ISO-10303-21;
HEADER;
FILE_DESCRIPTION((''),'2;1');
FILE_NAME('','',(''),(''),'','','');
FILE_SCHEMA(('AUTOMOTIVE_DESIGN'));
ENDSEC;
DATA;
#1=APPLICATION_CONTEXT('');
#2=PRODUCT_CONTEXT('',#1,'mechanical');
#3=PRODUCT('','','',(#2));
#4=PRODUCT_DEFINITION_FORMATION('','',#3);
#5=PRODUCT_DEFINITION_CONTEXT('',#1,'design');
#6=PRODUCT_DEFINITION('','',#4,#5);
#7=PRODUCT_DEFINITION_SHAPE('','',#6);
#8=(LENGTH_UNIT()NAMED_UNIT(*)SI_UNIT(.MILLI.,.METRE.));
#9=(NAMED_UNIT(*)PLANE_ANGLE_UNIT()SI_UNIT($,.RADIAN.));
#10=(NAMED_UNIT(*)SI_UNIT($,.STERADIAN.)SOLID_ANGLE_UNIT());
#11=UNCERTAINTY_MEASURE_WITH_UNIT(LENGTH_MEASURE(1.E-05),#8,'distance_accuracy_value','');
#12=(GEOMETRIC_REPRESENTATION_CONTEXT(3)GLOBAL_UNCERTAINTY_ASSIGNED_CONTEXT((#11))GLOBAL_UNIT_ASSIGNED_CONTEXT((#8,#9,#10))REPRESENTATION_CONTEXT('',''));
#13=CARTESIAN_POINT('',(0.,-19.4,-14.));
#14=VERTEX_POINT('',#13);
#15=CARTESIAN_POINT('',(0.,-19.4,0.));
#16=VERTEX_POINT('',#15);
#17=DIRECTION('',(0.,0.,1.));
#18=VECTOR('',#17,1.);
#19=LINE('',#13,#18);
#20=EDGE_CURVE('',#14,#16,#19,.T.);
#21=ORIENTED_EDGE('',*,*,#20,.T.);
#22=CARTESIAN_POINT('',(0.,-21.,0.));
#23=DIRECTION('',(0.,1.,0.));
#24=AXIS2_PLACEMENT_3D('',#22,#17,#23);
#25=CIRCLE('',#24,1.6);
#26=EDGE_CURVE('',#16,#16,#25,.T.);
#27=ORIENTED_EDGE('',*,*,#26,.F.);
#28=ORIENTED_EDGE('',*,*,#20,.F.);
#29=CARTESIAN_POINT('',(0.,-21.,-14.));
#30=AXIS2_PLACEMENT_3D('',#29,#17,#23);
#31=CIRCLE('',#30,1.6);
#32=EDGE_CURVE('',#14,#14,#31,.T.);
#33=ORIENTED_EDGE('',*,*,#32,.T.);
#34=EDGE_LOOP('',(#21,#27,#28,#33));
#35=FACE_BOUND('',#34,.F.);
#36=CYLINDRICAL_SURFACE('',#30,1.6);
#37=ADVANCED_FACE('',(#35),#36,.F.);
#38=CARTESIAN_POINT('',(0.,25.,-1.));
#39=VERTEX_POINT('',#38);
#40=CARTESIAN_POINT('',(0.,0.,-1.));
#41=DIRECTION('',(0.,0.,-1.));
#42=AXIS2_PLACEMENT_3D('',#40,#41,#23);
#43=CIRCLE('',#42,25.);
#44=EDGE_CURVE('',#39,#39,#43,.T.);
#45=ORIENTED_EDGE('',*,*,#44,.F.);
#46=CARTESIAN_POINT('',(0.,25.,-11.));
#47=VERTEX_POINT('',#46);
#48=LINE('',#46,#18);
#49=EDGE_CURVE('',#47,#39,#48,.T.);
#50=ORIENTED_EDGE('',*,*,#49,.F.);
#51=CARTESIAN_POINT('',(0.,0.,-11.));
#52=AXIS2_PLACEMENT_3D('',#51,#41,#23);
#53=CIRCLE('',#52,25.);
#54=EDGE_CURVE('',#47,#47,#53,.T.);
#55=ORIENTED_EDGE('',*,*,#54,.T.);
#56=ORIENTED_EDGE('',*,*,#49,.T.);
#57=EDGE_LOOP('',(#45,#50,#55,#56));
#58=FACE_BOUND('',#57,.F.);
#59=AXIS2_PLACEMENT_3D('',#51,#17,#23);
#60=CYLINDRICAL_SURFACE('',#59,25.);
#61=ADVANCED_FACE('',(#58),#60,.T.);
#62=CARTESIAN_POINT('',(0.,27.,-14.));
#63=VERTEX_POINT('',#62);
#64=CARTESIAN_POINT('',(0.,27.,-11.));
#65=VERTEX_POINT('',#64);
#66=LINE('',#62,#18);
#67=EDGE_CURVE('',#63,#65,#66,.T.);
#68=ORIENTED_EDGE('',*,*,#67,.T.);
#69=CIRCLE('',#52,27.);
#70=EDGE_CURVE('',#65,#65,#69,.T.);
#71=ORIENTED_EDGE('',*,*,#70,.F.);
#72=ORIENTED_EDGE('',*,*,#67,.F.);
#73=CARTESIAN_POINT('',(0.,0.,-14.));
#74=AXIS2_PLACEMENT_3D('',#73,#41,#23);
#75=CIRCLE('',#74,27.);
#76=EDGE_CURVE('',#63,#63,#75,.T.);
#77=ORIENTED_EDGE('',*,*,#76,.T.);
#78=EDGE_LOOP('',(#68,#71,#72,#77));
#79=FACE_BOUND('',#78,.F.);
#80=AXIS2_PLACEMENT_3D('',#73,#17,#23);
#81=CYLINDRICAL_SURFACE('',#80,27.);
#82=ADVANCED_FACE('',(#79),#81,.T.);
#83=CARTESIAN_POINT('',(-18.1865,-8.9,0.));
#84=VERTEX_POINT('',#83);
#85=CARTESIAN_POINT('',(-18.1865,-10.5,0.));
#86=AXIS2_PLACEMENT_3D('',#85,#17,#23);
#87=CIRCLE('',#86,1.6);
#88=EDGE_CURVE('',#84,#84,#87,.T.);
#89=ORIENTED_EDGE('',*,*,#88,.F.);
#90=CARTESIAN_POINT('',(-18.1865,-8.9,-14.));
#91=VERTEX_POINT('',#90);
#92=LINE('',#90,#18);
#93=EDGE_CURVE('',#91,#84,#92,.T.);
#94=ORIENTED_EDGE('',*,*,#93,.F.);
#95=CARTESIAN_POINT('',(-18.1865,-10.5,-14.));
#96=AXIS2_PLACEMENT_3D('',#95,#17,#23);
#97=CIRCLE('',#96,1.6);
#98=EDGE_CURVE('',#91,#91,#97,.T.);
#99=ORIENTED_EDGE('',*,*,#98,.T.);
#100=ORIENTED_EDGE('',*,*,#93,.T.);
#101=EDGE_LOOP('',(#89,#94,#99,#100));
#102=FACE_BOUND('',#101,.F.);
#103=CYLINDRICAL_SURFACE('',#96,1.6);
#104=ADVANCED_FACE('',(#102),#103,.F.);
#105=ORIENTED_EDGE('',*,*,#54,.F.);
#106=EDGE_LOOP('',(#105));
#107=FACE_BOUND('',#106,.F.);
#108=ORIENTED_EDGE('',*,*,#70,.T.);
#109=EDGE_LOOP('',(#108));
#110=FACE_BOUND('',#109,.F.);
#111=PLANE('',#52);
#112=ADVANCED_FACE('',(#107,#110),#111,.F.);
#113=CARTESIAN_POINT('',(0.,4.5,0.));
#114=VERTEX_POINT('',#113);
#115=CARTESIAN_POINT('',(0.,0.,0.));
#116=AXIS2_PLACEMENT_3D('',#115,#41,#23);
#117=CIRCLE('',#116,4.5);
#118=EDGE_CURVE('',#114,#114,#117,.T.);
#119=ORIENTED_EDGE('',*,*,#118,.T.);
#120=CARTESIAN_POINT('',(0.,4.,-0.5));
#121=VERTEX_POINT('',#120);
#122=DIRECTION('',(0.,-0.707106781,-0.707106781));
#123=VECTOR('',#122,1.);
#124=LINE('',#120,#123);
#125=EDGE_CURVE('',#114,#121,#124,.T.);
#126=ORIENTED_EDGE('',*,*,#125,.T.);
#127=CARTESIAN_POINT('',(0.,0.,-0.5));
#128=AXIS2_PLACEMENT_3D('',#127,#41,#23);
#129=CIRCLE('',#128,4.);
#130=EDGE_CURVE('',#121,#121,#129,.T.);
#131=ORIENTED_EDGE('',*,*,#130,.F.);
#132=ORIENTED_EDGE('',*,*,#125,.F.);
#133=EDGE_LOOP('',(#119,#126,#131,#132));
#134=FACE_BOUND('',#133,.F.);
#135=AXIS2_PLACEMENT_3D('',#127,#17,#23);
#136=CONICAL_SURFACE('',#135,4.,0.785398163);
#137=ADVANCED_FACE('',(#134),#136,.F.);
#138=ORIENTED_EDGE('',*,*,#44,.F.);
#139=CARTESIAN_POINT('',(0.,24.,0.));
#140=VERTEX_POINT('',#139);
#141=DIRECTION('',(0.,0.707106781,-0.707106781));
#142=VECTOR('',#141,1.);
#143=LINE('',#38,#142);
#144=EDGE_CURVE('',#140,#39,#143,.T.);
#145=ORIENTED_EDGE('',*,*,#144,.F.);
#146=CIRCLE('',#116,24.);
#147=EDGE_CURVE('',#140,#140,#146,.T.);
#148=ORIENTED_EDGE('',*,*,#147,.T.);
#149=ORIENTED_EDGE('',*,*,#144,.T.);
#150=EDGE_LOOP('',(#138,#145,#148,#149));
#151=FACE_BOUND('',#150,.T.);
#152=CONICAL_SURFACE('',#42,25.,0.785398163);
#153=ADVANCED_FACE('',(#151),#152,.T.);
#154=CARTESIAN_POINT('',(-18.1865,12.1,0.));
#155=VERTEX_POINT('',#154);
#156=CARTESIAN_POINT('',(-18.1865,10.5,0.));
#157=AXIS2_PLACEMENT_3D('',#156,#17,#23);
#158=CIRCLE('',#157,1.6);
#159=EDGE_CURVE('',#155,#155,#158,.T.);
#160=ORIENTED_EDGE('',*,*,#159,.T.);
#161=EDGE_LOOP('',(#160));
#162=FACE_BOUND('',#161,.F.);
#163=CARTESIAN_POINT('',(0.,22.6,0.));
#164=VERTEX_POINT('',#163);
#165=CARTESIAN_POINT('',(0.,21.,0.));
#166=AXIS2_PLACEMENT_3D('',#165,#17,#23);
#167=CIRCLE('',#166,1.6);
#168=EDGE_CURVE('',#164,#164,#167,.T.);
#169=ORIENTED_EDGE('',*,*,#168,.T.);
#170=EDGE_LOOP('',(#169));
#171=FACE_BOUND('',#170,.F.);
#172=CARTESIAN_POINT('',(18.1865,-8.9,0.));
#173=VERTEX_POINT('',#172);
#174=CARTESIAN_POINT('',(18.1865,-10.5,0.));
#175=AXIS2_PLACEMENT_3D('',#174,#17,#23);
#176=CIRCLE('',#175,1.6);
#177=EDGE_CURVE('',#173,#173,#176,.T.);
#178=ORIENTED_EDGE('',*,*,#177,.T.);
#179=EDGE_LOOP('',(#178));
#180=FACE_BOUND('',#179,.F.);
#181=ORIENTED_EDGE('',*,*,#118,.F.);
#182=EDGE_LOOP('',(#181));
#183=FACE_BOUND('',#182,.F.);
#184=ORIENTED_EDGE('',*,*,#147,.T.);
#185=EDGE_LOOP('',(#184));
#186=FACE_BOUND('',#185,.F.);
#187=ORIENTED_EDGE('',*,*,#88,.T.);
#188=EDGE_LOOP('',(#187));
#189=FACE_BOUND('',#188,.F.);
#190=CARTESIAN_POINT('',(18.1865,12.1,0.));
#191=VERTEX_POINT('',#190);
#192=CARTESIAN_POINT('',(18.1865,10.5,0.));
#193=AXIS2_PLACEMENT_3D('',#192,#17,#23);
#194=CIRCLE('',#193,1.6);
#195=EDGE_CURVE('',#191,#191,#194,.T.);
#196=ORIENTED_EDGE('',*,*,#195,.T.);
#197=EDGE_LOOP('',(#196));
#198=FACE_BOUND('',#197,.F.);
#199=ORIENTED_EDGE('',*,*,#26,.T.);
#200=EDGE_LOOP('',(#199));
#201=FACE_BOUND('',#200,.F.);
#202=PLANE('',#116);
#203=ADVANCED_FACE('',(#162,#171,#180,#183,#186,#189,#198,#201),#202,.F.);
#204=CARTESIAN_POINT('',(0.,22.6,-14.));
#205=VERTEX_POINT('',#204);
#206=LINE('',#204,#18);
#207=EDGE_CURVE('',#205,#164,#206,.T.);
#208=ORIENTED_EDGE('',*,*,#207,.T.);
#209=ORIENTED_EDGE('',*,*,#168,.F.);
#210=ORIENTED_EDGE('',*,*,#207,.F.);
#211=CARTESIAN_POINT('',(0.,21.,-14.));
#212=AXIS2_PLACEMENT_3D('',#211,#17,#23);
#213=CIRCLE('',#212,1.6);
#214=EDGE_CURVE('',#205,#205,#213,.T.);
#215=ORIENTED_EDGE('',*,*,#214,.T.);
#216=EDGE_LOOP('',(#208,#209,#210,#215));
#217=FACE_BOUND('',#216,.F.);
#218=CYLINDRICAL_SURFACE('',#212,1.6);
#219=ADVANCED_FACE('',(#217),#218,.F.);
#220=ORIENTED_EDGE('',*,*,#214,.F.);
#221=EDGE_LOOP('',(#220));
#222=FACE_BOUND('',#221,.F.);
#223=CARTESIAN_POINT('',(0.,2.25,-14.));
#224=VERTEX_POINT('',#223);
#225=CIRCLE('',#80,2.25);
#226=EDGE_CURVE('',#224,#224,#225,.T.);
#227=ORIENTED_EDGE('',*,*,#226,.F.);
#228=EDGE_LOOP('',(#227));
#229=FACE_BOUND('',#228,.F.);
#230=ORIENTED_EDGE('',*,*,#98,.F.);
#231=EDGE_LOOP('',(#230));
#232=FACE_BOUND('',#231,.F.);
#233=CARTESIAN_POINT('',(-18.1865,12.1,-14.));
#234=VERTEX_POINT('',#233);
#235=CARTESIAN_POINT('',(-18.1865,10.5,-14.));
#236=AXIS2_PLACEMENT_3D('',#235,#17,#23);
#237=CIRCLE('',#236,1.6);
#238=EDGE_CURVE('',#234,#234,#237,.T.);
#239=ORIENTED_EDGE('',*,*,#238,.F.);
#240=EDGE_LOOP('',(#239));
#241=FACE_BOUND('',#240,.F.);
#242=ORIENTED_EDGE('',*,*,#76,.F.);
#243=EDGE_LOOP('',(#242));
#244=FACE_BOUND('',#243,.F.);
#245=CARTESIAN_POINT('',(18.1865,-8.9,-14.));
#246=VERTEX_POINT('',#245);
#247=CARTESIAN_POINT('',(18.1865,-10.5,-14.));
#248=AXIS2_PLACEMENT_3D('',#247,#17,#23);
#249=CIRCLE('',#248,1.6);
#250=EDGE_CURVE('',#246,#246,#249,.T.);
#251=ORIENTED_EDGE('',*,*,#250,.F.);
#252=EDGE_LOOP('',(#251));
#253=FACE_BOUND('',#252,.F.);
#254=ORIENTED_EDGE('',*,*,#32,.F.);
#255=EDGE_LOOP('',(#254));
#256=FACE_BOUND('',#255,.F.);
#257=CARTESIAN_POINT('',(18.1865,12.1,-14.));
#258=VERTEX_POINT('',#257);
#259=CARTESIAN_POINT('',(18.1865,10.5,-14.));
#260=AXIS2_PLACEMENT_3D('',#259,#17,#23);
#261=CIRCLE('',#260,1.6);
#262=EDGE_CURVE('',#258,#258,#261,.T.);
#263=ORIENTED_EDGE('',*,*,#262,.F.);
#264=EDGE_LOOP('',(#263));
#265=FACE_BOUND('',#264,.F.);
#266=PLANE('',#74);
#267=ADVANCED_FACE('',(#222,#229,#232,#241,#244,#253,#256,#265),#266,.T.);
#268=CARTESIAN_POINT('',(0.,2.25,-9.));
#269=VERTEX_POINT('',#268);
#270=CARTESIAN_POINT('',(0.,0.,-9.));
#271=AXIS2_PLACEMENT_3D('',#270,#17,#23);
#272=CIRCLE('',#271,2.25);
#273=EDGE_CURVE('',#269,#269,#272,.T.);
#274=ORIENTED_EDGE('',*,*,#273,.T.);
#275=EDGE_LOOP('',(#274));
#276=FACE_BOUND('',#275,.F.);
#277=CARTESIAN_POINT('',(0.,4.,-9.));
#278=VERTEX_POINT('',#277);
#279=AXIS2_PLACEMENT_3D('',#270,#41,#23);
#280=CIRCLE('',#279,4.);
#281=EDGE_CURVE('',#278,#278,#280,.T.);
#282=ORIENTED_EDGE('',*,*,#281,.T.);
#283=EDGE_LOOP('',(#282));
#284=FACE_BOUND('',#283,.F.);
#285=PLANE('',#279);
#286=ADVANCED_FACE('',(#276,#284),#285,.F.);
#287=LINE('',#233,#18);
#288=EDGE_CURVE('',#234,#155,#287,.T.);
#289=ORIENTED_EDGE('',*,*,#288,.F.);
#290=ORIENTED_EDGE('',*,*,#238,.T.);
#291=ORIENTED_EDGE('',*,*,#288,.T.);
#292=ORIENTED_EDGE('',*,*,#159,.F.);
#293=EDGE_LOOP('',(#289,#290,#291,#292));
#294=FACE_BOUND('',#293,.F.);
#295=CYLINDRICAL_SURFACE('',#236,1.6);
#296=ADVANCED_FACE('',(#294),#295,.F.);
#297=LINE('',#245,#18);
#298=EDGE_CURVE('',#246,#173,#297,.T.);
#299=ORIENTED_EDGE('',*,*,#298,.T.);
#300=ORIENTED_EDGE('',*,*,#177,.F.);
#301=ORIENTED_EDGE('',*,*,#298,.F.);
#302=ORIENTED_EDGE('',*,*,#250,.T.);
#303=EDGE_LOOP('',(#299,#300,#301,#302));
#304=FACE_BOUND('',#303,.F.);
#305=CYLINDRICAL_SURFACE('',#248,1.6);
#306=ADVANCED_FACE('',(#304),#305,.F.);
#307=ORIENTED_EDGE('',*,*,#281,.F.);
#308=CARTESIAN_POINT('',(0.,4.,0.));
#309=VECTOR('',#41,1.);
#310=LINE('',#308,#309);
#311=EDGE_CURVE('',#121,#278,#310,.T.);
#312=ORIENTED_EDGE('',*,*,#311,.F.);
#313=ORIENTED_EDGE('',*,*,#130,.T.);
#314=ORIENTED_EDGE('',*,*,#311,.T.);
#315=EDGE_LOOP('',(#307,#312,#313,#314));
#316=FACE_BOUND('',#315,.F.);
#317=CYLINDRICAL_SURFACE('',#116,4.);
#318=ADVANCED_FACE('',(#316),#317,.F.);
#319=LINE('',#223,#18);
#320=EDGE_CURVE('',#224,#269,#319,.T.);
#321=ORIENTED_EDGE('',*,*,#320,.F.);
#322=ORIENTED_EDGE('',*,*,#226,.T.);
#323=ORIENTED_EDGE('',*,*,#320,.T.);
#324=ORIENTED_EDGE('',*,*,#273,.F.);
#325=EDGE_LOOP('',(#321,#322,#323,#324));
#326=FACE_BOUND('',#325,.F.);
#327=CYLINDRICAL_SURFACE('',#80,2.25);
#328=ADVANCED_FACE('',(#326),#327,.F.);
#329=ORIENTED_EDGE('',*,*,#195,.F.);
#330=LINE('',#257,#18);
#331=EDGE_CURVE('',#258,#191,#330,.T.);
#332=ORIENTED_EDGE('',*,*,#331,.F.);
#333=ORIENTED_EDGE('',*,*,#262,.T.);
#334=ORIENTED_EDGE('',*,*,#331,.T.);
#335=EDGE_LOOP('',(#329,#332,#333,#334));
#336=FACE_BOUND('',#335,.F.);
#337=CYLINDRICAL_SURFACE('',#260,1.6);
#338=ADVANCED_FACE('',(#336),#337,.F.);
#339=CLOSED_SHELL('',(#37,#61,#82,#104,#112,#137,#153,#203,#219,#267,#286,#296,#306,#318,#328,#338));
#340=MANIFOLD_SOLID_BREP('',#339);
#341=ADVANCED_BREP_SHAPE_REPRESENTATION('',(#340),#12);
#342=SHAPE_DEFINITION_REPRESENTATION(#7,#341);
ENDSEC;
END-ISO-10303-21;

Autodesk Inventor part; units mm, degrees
ref_plane "YZ Plane" through (0, 0, 0) normal (1, 0, 0) x (0, 1, 0)
ref_plane "XZ Plane" through (0, 0, 0) normal (0, 1, 0) x (-1, 0, 0)
ref_plane "XY Plane" through (0, 0, 0) normal (0, 0, 1) x (1, 0, 0)
sketch "スケッチ1" plane through (0, 0, 0) normal (1, 0, 0) x (0, 1, 0)
  line L0 (7, 0) -> (7, 0)
  line L1 (0, -9) -> (0, -14)
  line L2 (0, -14) -> (27, -14)
  line L3 (27, -14) -> (27, -11)
  line L4 (27, -11) -> (25, -11)
  line L5 (25, -11) -> (25, 0)
  line L6 (25, 0) -> (7, 0)
  line L7 (7, 0) -> (4, 0)
  line L8 (4, 0) -> (4, -9)
  line L9 (4, -9) -> (0, -9)
  point P0 (0, 0)
  dimension "d2" = 11
  dimension "d3" = 3
  dimension "d4" = 25
  dimension "d5" = 2
  dimension "d35" = 0
  dimension "d36" = 7
  dimension "d37" = 4
  dimension "d45" = 9
revolve "回転1" add sketch "スケッチ1" angle 360 about axis through (0, 0, -9) along (0, 0, -1)
chamfer "面取り1" distance 1 angle 45 1 edges at (0, -25, 0)
sketch "スケッチ2" plane through (0, 0, -14) normal (0, 0, -1) x (-1, 0, 0)
  point P0 (0, 0)
hole "穴1" at (0, 0, -14) direction (0, 0, 1) diameter 4.5 end through all clearance for "Socket Head Cap Screw" size "M4" standard "Ansi Metric M Profile"
sketch "スケッチ3" plane through (0, 0, -14) normal (0, 0, -1) x (-1, 0, 0)
  circle A0 centre (0, 0) radius 21
  point P0 (0, 0)
  point P1 (0, -21)
  point P2 (18.1865, -10.5)
  point P3 (18.1865, 10.5)
  point P4 (0, 21)
  point P5 (-18.1865, 10.5)
  point P6 (-18.1865, -10.5)
  dimension "d20" = 42
  dimension "d23" = 360
hole "穴2" at (0, -21, -14) at (-18.1865, -10.5, -14) at (-18.1865, 10.5, -14) at (0, 21, -14) at (18.1865, 10.5, -14) at (18.1865, -10.5, -14) direction (0, 0, 1) diameter 3.2 end through all clearance for "Socket Head Cap Screw" size "M3" standard "Ansi Metric M Profile"
chamfer "面取り4" distance 0.5 angle 45 1 edges at (0, -4, 0)
properties part number "base3" material "ABS プラスチック"
